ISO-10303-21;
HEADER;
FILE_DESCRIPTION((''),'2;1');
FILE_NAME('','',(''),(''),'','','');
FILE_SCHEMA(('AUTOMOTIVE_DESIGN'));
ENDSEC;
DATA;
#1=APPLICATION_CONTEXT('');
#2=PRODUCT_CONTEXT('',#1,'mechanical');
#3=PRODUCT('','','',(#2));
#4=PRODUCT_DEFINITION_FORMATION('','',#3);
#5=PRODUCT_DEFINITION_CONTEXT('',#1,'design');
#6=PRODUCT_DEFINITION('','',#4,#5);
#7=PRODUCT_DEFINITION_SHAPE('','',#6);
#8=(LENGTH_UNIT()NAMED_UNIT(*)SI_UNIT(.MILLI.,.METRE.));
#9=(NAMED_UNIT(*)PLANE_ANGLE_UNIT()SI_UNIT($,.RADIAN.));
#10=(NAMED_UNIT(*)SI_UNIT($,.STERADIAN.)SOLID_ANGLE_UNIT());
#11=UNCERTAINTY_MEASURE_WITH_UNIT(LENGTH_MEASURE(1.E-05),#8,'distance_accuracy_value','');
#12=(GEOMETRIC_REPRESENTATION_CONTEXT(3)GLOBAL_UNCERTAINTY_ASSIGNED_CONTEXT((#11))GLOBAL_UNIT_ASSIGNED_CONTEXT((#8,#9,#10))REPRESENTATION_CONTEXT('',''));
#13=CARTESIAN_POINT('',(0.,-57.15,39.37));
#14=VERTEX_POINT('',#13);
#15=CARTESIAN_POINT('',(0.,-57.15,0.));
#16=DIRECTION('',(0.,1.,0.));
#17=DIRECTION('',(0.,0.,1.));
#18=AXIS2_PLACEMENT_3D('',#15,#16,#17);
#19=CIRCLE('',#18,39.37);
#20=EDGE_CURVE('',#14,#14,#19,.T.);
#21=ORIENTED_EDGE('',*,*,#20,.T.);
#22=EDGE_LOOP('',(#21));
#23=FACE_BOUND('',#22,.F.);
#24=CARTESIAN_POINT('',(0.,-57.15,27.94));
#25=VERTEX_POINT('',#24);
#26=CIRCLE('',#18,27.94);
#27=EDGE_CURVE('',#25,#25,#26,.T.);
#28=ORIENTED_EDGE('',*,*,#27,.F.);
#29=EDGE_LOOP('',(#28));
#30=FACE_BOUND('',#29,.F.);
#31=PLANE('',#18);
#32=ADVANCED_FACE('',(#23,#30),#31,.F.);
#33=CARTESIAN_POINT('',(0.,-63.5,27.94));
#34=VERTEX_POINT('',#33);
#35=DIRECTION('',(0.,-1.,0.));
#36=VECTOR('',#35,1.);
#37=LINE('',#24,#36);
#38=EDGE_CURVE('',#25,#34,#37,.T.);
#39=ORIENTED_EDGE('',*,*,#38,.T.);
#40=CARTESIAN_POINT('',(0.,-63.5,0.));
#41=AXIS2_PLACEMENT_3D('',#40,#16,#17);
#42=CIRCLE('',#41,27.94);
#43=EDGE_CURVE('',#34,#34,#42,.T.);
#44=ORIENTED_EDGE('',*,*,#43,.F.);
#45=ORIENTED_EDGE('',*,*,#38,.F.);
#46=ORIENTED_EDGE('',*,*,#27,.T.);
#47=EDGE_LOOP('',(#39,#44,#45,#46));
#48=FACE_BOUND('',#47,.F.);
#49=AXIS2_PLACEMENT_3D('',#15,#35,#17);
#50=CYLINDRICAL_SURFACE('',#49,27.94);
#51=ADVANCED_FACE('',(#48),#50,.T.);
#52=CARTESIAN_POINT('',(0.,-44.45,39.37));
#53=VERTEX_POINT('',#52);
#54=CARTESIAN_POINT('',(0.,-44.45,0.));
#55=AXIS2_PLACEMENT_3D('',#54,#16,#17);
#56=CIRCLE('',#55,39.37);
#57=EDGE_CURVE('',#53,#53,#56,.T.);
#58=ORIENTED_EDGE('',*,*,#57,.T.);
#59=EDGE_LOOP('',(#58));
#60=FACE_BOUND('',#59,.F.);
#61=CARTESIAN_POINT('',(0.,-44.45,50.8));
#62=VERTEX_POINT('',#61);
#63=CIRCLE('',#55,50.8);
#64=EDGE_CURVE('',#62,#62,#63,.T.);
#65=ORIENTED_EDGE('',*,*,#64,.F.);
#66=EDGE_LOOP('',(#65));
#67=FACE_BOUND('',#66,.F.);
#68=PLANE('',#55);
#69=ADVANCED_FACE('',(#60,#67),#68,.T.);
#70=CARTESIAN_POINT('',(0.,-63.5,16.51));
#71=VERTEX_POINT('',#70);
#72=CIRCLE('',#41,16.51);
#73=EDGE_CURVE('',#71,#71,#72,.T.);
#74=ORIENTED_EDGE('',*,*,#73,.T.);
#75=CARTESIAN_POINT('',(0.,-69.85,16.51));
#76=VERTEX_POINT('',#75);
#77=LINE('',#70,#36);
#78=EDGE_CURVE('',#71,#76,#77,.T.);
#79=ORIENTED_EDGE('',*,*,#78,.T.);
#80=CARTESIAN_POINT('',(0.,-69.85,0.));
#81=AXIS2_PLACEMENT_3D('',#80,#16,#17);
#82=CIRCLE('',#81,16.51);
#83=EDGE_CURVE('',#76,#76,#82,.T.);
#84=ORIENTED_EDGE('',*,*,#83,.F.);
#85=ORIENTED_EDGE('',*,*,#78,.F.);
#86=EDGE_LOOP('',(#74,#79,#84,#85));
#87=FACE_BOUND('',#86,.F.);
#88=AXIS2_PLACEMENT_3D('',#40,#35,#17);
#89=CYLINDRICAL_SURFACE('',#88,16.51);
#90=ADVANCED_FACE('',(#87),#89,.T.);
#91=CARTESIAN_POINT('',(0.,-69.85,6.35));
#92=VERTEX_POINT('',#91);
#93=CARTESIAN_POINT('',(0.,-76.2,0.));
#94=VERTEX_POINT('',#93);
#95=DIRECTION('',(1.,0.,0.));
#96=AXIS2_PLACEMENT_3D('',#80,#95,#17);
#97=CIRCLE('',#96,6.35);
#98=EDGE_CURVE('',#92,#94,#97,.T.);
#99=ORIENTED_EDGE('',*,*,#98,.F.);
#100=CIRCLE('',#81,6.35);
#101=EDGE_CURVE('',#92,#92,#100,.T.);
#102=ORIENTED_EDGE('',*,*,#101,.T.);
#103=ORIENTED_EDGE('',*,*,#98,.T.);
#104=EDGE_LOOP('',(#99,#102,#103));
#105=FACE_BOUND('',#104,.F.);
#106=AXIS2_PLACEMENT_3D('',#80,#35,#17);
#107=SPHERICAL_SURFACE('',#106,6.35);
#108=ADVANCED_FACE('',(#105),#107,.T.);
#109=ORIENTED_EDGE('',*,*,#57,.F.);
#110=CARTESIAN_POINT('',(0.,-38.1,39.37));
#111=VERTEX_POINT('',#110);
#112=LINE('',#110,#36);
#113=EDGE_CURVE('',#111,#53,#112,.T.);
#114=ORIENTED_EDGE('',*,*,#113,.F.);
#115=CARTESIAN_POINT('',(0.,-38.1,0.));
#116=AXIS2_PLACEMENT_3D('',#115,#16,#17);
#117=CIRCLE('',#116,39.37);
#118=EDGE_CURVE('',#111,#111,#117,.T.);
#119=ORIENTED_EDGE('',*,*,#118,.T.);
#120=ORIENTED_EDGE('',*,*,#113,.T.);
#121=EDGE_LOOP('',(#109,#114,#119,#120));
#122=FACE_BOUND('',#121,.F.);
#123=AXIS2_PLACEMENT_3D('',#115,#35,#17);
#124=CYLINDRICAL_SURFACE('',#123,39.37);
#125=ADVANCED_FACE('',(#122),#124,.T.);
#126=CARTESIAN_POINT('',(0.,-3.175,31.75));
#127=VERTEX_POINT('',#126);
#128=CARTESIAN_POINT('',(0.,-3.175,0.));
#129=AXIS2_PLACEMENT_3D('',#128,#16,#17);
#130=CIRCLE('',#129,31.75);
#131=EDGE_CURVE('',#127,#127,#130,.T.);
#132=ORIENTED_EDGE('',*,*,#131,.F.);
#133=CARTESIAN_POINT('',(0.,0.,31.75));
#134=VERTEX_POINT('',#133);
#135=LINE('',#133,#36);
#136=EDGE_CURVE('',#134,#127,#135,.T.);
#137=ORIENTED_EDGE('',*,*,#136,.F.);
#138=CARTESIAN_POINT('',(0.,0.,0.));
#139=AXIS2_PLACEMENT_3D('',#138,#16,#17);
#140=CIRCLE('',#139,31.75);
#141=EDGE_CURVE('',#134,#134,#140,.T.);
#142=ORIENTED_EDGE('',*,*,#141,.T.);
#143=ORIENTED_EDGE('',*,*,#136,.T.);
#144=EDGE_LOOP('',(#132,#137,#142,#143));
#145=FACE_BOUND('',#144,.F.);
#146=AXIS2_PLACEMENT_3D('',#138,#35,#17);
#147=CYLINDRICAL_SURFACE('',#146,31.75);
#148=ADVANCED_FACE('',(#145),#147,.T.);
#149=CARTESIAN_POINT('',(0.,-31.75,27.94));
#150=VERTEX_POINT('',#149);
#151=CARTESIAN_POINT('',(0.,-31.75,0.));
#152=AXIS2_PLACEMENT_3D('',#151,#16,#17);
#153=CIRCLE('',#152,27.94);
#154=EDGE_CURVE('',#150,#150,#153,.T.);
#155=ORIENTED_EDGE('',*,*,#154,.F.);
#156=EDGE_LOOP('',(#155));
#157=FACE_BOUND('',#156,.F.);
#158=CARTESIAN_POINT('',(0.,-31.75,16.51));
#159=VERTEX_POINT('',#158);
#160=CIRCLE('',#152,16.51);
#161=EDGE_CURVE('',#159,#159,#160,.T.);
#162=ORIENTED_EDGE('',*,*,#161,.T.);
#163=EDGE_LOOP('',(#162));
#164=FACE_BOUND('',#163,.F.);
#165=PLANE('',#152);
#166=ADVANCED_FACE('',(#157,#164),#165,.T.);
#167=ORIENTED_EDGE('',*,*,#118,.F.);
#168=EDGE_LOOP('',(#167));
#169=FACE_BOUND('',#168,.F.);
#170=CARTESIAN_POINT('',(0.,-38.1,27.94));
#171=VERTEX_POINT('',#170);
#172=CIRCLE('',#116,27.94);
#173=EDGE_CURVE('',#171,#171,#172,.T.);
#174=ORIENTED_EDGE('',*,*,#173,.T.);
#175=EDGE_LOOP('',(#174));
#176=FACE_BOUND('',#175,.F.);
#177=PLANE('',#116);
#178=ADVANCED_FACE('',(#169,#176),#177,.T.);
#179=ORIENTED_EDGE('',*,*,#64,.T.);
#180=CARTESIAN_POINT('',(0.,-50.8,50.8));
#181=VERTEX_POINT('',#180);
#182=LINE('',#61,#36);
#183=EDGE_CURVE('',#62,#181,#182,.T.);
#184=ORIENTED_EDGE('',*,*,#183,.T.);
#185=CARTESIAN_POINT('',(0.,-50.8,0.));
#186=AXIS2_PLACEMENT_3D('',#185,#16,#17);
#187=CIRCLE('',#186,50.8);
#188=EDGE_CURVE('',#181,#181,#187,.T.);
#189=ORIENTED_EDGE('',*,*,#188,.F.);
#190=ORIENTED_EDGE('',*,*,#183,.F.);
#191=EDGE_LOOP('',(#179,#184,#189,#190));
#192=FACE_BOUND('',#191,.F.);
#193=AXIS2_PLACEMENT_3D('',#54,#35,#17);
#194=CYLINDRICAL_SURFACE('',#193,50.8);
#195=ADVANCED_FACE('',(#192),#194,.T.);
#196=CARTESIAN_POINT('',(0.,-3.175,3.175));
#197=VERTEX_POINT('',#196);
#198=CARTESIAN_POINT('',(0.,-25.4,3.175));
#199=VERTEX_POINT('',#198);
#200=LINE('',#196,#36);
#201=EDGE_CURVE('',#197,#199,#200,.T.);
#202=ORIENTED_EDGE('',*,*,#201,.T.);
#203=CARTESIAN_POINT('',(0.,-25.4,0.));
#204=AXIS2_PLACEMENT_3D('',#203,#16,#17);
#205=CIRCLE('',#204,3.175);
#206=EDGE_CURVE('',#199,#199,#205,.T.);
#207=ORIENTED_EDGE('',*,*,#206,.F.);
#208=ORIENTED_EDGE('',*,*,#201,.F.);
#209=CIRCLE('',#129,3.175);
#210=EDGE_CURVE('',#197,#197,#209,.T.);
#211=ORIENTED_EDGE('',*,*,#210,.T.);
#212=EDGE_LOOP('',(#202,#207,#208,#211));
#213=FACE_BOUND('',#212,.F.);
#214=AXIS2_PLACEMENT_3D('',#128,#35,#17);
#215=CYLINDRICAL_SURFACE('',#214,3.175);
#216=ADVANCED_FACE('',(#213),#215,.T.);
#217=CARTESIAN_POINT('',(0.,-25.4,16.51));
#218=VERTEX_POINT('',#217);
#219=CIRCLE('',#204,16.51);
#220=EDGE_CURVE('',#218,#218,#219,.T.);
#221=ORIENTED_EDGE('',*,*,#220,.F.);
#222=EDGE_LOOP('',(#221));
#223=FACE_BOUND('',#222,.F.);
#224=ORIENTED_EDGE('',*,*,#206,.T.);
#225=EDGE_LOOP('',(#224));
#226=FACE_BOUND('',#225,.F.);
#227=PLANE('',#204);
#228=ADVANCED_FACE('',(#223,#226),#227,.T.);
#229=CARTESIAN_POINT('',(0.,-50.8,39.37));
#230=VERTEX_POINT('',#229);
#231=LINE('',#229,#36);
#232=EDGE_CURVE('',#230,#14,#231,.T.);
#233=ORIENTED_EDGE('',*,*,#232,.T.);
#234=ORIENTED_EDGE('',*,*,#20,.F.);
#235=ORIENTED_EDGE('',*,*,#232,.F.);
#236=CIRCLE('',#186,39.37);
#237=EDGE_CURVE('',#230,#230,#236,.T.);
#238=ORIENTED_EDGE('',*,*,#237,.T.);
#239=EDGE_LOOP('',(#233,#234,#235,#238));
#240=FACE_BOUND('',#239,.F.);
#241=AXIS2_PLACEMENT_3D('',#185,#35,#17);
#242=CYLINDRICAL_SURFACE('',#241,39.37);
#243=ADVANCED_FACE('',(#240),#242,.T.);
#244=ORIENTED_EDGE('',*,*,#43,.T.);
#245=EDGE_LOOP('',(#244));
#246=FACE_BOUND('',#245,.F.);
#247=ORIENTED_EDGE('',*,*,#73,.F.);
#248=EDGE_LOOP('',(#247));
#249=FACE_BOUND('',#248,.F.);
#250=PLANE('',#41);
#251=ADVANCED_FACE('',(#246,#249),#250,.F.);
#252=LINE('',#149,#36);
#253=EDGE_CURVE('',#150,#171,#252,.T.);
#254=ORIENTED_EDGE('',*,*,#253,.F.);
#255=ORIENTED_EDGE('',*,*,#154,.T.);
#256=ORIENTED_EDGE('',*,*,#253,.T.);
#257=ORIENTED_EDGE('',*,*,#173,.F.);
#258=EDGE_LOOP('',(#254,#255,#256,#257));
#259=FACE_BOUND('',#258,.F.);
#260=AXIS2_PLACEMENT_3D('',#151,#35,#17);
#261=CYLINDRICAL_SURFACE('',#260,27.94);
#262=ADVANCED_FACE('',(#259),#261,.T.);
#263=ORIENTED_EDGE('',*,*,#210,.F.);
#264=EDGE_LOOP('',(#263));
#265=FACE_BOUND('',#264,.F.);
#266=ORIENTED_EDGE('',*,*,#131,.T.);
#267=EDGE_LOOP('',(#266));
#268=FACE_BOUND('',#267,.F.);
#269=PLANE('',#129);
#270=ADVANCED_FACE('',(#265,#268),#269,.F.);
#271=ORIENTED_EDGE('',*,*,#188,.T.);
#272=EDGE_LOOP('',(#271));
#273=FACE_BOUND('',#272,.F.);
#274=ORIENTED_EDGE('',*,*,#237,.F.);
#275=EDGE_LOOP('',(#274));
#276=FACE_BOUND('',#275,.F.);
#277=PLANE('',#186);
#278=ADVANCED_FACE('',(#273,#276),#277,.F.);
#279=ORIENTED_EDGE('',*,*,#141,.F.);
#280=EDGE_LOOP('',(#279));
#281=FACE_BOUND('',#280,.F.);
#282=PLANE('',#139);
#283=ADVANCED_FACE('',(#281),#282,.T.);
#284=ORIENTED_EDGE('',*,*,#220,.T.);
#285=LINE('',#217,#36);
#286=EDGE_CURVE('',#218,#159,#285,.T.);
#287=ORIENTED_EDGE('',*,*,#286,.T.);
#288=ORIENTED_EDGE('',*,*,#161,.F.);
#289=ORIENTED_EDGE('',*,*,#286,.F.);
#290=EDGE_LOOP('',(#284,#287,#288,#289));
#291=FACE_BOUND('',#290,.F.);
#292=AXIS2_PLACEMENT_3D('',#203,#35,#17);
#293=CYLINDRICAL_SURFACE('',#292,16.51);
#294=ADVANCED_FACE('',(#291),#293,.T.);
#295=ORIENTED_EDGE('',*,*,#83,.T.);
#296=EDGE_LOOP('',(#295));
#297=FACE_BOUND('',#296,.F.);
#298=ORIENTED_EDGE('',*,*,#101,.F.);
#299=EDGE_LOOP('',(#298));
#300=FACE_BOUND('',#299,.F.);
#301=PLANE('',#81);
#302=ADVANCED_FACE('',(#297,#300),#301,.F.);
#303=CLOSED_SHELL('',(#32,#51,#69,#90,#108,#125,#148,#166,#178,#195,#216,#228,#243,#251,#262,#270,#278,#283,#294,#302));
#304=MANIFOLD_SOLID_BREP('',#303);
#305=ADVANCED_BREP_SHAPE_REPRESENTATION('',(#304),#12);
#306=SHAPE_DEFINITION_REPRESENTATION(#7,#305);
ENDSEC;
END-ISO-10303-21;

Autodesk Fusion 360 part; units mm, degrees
sketch "Sketch1" plane through (0, 0, 0) normal (1, 0, 0) x (0, 1, 0) in component "Doorknob_Revolve_Addition"
  line L0 (0, 0) -> (0, 31.75)
  line L1 (-25.4, 3.175) -> (-25.4, 16.51)
  line L2 (-31.75, 16.51) -> (-31.75, 27.94)
  line L3 (-31.75, 27.94) -> (-38.1, 27.94)
  line L4 (-38.1, 27.94) -> (-38.1, 39.37)
  line L5 (-25.4, 16.51) -> (-31.75, 16.51)
  line L6 (-38.1, 39.37) -> (-44.45, 39.37)
  line L7 (-44.45, 39.37) -> (-44.45, 50.8)
  line L8 (-44.45, 50.8) -> (-50.8, 50.8)
  line L9 (-50.8, 50.8) -> (-50.8, 39.37)
  line L10 (-50.8, 39.37) -> (-57.15, 39.37)
  line L11 (-57.15, 39.37) -> (-57.15, 27.94)
  line L12 (-57.15, 27.94) -> (-63.5, 27.94)
  line L13 (-63.5, 27.94) -> (-63.5, 16.51)
  line L14 (-63.5, 16.51) -> (-69.85, 16.51)
  line L15 (-69.85, 16.51) -> (-69.85, 6.35)
  line L16 (-76.2, 0) -> (0, 0)
  arc A0 (-69.85, 6.35) -> (-76.2, 0) centre (-69.85, 0) ccw
  line L17 (0, 31.75) -> (-3.175, 31.75)
  line L18 (-3.175, 31.75) -> (-3.175, 3.175)
  line L19 (-3.175, 3.175) -> (-25.4, 3.175)
  dimension "d4" = 76.2
  dimension "d5" = 31.75
  dimension "d6" = 50.8
  dimension "d10" = 11.43
  dimension "d11" = 11.43
  dimension "d12" = 11.43
  dimension "d13" = 6.35
  dimension "d14" = 6.35
  dimension "d15" = 6.35
  dimension "d16" = 6.35
  dimension "d20" = 6.35
  dimension "d22" = 3.175
  dimension "d23" = 3.175
  dimension "d24" = 22.225
revolve "Revolve1" add sketch "Sketch1" angle 360 about axis through (0, -76.2, 0) along (0, 1, 0) in component "Doorknob_Revolve_Addition"
component "Doorknob_Revolve_Addition" placed x (1, 0, 0) y (0, 1, 0) z (0, 0, 1) at (0, 0, 0)
equation "d5 = ( 2.5 / 2 ) * 1 in"
equation "d11 = d10"
equation "d12 = d10"
equation "d14 = d13"
equation "d15 = d14"
equation "d16 = d13"
